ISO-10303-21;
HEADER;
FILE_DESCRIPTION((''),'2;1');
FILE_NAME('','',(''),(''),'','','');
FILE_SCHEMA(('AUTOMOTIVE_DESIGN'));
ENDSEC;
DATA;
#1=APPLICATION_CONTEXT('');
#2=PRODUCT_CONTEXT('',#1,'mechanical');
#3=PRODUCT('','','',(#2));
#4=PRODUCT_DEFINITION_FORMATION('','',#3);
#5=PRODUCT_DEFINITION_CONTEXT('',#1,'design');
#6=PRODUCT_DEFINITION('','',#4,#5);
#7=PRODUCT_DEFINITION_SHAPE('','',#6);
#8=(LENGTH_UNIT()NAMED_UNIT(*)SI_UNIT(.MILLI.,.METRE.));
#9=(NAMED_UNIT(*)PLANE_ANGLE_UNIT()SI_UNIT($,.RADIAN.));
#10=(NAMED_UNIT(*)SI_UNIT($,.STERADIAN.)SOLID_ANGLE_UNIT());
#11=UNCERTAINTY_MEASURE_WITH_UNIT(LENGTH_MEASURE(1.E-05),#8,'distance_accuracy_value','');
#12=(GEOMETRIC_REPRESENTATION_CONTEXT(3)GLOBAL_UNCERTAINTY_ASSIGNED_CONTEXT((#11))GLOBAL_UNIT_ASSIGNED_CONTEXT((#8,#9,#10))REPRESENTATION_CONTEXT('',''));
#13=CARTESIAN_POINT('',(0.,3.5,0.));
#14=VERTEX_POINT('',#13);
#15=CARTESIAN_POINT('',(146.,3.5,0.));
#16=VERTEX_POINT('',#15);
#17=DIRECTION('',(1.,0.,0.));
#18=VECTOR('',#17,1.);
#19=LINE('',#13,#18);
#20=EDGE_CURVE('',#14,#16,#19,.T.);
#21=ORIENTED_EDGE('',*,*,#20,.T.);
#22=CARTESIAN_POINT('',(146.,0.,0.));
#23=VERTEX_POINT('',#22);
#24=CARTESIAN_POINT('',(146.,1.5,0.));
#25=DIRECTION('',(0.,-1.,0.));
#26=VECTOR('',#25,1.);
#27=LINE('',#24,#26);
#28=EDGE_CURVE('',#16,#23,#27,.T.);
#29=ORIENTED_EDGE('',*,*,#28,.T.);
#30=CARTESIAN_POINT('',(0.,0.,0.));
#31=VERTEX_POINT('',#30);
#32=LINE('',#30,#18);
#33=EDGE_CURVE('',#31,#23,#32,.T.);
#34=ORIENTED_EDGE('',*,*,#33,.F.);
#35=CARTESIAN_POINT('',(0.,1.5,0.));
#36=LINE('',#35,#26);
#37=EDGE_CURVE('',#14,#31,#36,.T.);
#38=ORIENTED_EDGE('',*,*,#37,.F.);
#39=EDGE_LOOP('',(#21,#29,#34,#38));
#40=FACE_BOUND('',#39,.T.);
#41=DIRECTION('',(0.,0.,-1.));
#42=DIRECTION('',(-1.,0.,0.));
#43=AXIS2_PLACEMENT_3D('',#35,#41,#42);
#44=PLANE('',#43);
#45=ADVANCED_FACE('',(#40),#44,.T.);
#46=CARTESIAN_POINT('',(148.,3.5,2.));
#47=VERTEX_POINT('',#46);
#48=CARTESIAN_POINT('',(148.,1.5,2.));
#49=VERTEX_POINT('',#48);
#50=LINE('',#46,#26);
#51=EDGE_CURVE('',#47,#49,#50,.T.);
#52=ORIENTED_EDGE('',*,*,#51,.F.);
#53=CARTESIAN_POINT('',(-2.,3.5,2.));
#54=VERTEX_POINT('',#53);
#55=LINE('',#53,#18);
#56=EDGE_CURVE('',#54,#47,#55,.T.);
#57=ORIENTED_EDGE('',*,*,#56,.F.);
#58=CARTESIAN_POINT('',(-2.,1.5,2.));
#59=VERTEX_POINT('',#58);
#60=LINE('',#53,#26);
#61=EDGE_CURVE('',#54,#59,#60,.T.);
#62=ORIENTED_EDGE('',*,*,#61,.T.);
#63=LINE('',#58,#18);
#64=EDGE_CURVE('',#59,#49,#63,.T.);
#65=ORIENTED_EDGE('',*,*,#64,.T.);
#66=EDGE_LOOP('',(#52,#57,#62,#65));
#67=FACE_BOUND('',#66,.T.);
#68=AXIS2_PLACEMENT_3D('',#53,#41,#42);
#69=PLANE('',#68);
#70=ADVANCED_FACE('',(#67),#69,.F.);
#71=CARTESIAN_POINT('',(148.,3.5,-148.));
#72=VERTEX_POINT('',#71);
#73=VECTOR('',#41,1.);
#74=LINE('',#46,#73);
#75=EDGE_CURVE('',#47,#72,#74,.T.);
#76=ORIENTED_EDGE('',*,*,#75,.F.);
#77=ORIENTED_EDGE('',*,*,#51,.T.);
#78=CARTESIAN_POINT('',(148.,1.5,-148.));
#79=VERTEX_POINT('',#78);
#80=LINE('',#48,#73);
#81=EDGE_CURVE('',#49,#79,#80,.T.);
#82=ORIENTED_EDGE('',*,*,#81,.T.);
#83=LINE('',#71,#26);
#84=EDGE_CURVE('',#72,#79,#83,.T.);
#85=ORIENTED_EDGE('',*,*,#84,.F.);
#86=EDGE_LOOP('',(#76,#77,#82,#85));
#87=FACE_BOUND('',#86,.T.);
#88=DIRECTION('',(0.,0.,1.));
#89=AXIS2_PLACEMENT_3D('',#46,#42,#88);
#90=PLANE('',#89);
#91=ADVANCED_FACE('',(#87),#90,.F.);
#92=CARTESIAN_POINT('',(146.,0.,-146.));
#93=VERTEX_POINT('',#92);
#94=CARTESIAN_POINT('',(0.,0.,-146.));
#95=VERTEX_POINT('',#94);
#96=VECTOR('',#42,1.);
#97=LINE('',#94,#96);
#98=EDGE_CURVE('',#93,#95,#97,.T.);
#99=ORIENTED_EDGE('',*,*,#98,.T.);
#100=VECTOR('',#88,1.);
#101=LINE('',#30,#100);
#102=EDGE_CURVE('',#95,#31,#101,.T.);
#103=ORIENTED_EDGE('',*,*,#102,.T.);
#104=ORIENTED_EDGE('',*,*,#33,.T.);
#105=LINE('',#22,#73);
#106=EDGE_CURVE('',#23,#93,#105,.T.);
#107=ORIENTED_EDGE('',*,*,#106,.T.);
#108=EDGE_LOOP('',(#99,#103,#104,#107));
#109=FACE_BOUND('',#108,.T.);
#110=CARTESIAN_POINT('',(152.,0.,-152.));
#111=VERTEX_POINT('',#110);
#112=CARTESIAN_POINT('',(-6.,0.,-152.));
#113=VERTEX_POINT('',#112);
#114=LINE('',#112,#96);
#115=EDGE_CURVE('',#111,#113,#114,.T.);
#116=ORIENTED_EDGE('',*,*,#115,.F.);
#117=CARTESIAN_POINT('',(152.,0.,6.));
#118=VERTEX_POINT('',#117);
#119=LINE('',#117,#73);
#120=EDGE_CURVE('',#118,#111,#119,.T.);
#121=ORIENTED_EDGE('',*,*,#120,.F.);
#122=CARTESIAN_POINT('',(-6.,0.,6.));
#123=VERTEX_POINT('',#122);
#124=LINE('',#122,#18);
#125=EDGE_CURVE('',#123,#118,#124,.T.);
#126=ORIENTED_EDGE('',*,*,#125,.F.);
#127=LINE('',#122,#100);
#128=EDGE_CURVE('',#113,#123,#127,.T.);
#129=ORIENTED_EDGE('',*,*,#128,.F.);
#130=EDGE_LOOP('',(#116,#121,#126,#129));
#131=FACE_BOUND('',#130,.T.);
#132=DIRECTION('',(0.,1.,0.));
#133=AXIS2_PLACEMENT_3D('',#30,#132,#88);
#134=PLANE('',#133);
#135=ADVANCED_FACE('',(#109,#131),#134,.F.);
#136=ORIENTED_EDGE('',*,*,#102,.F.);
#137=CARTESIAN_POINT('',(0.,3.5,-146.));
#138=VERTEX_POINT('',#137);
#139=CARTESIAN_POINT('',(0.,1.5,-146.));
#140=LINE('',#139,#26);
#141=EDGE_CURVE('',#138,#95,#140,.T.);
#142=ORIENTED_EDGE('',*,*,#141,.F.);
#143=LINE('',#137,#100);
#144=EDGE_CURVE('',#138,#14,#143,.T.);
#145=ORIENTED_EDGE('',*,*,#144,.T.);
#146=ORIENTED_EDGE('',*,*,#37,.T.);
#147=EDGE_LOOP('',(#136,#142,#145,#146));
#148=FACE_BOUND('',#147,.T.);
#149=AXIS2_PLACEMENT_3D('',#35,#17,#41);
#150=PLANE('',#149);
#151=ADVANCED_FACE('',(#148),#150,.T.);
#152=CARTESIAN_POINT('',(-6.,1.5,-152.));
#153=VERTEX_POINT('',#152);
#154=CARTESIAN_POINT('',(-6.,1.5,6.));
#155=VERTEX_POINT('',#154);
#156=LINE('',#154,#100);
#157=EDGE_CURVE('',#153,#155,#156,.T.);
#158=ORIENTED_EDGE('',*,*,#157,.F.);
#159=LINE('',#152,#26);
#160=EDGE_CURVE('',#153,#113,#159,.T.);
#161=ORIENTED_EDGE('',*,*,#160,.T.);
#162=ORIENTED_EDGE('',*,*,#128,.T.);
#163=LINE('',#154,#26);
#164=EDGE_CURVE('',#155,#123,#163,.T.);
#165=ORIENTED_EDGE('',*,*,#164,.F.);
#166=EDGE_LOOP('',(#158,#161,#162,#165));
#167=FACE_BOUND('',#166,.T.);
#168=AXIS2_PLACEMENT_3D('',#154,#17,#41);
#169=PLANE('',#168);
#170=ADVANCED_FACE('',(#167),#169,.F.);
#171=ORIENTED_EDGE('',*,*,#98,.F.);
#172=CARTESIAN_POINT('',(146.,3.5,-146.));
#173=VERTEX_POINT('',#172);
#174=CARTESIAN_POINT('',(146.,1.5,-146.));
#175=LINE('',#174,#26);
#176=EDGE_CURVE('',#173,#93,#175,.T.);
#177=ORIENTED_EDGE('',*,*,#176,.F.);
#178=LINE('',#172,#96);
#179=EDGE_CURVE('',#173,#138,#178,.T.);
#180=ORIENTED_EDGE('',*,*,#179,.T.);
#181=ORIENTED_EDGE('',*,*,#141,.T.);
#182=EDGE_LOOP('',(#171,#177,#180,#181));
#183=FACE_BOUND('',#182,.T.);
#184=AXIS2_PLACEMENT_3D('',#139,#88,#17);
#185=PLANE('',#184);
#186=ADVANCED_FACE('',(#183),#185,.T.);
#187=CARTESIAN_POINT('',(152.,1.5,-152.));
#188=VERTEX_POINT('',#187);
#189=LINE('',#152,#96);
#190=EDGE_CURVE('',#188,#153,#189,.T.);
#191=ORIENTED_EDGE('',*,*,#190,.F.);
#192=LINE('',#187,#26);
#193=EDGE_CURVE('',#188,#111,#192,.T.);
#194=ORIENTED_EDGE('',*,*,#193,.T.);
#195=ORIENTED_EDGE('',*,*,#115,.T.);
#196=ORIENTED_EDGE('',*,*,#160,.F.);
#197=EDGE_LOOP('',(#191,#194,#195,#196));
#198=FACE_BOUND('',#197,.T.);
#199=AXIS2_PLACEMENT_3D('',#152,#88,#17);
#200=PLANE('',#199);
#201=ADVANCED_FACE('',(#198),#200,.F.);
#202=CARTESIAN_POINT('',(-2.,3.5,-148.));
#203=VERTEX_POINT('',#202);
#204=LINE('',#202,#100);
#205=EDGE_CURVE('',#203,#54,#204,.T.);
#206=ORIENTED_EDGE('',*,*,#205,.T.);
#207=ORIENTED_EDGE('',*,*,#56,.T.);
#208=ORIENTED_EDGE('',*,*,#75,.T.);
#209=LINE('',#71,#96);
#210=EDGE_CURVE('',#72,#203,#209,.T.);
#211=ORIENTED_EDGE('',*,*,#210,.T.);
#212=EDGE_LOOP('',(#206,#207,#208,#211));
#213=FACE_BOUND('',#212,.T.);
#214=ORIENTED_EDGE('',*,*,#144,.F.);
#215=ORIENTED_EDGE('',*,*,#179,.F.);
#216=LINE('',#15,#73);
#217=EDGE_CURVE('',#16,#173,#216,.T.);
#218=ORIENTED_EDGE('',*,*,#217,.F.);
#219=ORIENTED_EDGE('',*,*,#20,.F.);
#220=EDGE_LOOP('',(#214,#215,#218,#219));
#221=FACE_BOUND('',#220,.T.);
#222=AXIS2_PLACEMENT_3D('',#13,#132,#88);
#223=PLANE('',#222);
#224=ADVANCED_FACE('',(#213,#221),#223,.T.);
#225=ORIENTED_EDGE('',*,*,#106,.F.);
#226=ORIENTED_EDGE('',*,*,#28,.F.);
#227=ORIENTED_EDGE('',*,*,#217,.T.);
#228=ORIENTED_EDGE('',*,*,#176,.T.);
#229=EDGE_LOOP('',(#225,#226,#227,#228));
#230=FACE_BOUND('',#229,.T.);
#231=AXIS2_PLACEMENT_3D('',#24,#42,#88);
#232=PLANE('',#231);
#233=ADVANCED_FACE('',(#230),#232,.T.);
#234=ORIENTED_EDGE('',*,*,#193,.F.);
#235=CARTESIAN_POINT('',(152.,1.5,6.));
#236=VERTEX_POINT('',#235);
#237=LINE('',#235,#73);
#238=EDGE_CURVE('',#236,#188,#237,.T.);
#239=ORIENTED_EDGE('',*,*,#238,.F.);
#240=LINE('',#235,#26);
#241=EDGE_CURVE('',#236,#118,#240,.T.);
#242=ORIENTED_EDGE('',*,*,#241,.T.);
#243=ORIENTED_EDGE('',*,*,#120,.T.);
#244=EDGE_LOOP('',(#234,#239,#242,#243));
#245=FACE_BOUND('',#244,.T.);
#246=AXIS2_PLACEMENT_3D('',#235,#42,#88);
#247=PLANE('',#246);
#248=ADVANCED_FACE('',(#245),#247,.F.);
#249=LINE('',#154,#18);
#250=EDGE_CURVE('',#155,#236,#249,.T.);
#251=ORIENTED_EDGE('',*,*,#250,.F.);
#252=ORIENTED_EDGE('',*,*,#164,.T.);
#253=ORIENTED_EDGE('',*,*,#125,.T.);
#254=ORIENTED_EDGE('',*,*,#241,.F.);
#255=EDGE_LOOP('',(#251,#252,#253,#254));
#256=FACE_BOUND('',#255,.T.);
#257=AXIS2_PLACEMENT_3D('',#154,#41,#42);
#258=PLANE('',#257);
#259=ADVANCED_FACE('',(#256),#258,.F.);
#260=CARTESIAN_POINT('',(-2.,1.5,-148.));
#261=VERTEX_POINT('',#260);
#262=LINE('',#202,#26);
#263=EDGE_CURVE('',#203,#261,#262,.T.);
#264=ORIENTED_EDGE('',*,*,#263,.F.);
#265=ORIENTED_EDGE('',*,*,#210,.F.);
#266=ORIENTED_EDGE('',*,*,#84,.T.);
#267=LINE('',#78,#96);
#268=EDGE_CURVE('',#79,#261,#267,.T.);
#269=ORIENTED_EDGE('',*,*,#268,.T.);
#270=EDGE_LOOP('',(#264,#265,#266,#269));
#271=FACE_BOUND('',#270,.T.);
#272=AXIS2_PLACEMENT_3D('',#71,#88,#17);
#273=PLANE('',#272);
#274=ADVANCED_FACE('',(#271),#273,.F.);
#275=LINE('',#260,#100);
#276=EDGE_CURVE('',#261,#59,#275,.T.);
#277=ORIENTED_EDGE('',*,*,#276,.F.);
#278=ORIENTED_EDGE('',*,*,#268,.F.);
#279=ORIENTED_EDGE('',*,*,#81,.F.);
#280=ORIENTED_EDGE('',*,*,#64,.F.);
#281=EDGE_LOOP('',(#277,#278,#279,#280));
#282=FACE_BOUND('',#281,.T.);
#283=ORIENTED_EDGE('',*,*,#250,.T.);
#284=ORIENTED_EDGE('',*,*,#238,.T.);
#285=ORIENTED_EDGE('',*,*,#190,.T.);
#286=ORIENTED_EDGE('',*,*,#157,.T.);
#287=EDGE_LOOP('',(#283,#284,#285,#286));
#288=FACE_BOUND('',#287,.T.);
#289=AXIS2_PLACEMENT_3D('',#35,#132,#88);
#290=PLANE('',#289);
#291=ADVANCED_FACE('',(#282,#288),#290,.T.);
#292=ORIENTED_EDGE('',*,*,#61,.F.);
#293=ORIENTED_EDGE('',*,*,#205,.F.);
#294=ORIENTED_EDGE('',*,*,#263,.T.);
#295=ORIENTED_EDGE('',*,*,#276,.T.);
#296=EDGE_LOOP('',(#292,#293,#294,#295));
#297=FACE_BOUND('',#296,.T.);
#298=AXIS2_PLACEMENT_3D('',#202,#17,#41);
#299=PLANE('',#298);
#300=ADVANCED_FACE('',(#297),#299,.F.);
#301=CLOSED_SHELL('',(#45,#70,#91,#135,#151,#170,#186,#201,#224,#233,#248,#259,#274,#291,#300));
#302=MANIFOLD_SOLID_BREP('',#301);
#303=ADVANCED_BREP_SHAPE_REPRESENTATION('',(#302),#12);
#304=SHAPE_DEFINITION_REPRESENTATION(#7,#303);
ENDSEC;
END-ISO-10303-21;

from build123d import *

# Parameters (mm, degrees)
CROQUIS1_W              = 158
CROQUIS1_H              = 158
CROQUIS1_W_2            = 146
CROQUIS1_H_2            = 146
SALIENTE_EXTRUIR1_DEPTH = 1.5
CROQUIS2_W              = 150
CROQUIS2_H              = 150
CROQUIS2_W_2            = 146
CROQUIS2_H_2            = 146
SALIENTE_EXTRUIR2_DEPTH = 2


with BuildPart() as part:
    # Croquis1 → Saliente-Extruir1 (new body)
    with BuildSketch(Plane(origin=(0, 0, 0), x_dir=(1, 0, 0), z_dir=(0, 1, 0))):
        with Locations((73, 73)):
            Rectangle(CROQUIS1_W, CROQUIS1_H)
        with Locations((73, 73)):
            Rectangle(CROQUIS1_W_2, CROQUIS1_H_2, mode=Mode.SUBTRACT)
    extrude(amount=SALIENTE_EXTRUIR1_DEPTH)

    # Croquis2 → Saliente-Extruir2 (add)
    with BuildSketch(Plane(origin=(0, 1.5, 0), x_dir=(1, 0, 0), z_dir=(0, 1, 0))):
        with Locations((73, 73)):
            Rectangle(CROQUIS2_W, CROQUIS2_H)
        with Locations((73, 73)):
            Rectangle(CROQUIS2_W_2, CROQUIS2_H_2, mode=Mode.SUBTRACT)
    extrude(amount=SALIENTE_EXTRUIR2_DEPTH)


solid = part.part
